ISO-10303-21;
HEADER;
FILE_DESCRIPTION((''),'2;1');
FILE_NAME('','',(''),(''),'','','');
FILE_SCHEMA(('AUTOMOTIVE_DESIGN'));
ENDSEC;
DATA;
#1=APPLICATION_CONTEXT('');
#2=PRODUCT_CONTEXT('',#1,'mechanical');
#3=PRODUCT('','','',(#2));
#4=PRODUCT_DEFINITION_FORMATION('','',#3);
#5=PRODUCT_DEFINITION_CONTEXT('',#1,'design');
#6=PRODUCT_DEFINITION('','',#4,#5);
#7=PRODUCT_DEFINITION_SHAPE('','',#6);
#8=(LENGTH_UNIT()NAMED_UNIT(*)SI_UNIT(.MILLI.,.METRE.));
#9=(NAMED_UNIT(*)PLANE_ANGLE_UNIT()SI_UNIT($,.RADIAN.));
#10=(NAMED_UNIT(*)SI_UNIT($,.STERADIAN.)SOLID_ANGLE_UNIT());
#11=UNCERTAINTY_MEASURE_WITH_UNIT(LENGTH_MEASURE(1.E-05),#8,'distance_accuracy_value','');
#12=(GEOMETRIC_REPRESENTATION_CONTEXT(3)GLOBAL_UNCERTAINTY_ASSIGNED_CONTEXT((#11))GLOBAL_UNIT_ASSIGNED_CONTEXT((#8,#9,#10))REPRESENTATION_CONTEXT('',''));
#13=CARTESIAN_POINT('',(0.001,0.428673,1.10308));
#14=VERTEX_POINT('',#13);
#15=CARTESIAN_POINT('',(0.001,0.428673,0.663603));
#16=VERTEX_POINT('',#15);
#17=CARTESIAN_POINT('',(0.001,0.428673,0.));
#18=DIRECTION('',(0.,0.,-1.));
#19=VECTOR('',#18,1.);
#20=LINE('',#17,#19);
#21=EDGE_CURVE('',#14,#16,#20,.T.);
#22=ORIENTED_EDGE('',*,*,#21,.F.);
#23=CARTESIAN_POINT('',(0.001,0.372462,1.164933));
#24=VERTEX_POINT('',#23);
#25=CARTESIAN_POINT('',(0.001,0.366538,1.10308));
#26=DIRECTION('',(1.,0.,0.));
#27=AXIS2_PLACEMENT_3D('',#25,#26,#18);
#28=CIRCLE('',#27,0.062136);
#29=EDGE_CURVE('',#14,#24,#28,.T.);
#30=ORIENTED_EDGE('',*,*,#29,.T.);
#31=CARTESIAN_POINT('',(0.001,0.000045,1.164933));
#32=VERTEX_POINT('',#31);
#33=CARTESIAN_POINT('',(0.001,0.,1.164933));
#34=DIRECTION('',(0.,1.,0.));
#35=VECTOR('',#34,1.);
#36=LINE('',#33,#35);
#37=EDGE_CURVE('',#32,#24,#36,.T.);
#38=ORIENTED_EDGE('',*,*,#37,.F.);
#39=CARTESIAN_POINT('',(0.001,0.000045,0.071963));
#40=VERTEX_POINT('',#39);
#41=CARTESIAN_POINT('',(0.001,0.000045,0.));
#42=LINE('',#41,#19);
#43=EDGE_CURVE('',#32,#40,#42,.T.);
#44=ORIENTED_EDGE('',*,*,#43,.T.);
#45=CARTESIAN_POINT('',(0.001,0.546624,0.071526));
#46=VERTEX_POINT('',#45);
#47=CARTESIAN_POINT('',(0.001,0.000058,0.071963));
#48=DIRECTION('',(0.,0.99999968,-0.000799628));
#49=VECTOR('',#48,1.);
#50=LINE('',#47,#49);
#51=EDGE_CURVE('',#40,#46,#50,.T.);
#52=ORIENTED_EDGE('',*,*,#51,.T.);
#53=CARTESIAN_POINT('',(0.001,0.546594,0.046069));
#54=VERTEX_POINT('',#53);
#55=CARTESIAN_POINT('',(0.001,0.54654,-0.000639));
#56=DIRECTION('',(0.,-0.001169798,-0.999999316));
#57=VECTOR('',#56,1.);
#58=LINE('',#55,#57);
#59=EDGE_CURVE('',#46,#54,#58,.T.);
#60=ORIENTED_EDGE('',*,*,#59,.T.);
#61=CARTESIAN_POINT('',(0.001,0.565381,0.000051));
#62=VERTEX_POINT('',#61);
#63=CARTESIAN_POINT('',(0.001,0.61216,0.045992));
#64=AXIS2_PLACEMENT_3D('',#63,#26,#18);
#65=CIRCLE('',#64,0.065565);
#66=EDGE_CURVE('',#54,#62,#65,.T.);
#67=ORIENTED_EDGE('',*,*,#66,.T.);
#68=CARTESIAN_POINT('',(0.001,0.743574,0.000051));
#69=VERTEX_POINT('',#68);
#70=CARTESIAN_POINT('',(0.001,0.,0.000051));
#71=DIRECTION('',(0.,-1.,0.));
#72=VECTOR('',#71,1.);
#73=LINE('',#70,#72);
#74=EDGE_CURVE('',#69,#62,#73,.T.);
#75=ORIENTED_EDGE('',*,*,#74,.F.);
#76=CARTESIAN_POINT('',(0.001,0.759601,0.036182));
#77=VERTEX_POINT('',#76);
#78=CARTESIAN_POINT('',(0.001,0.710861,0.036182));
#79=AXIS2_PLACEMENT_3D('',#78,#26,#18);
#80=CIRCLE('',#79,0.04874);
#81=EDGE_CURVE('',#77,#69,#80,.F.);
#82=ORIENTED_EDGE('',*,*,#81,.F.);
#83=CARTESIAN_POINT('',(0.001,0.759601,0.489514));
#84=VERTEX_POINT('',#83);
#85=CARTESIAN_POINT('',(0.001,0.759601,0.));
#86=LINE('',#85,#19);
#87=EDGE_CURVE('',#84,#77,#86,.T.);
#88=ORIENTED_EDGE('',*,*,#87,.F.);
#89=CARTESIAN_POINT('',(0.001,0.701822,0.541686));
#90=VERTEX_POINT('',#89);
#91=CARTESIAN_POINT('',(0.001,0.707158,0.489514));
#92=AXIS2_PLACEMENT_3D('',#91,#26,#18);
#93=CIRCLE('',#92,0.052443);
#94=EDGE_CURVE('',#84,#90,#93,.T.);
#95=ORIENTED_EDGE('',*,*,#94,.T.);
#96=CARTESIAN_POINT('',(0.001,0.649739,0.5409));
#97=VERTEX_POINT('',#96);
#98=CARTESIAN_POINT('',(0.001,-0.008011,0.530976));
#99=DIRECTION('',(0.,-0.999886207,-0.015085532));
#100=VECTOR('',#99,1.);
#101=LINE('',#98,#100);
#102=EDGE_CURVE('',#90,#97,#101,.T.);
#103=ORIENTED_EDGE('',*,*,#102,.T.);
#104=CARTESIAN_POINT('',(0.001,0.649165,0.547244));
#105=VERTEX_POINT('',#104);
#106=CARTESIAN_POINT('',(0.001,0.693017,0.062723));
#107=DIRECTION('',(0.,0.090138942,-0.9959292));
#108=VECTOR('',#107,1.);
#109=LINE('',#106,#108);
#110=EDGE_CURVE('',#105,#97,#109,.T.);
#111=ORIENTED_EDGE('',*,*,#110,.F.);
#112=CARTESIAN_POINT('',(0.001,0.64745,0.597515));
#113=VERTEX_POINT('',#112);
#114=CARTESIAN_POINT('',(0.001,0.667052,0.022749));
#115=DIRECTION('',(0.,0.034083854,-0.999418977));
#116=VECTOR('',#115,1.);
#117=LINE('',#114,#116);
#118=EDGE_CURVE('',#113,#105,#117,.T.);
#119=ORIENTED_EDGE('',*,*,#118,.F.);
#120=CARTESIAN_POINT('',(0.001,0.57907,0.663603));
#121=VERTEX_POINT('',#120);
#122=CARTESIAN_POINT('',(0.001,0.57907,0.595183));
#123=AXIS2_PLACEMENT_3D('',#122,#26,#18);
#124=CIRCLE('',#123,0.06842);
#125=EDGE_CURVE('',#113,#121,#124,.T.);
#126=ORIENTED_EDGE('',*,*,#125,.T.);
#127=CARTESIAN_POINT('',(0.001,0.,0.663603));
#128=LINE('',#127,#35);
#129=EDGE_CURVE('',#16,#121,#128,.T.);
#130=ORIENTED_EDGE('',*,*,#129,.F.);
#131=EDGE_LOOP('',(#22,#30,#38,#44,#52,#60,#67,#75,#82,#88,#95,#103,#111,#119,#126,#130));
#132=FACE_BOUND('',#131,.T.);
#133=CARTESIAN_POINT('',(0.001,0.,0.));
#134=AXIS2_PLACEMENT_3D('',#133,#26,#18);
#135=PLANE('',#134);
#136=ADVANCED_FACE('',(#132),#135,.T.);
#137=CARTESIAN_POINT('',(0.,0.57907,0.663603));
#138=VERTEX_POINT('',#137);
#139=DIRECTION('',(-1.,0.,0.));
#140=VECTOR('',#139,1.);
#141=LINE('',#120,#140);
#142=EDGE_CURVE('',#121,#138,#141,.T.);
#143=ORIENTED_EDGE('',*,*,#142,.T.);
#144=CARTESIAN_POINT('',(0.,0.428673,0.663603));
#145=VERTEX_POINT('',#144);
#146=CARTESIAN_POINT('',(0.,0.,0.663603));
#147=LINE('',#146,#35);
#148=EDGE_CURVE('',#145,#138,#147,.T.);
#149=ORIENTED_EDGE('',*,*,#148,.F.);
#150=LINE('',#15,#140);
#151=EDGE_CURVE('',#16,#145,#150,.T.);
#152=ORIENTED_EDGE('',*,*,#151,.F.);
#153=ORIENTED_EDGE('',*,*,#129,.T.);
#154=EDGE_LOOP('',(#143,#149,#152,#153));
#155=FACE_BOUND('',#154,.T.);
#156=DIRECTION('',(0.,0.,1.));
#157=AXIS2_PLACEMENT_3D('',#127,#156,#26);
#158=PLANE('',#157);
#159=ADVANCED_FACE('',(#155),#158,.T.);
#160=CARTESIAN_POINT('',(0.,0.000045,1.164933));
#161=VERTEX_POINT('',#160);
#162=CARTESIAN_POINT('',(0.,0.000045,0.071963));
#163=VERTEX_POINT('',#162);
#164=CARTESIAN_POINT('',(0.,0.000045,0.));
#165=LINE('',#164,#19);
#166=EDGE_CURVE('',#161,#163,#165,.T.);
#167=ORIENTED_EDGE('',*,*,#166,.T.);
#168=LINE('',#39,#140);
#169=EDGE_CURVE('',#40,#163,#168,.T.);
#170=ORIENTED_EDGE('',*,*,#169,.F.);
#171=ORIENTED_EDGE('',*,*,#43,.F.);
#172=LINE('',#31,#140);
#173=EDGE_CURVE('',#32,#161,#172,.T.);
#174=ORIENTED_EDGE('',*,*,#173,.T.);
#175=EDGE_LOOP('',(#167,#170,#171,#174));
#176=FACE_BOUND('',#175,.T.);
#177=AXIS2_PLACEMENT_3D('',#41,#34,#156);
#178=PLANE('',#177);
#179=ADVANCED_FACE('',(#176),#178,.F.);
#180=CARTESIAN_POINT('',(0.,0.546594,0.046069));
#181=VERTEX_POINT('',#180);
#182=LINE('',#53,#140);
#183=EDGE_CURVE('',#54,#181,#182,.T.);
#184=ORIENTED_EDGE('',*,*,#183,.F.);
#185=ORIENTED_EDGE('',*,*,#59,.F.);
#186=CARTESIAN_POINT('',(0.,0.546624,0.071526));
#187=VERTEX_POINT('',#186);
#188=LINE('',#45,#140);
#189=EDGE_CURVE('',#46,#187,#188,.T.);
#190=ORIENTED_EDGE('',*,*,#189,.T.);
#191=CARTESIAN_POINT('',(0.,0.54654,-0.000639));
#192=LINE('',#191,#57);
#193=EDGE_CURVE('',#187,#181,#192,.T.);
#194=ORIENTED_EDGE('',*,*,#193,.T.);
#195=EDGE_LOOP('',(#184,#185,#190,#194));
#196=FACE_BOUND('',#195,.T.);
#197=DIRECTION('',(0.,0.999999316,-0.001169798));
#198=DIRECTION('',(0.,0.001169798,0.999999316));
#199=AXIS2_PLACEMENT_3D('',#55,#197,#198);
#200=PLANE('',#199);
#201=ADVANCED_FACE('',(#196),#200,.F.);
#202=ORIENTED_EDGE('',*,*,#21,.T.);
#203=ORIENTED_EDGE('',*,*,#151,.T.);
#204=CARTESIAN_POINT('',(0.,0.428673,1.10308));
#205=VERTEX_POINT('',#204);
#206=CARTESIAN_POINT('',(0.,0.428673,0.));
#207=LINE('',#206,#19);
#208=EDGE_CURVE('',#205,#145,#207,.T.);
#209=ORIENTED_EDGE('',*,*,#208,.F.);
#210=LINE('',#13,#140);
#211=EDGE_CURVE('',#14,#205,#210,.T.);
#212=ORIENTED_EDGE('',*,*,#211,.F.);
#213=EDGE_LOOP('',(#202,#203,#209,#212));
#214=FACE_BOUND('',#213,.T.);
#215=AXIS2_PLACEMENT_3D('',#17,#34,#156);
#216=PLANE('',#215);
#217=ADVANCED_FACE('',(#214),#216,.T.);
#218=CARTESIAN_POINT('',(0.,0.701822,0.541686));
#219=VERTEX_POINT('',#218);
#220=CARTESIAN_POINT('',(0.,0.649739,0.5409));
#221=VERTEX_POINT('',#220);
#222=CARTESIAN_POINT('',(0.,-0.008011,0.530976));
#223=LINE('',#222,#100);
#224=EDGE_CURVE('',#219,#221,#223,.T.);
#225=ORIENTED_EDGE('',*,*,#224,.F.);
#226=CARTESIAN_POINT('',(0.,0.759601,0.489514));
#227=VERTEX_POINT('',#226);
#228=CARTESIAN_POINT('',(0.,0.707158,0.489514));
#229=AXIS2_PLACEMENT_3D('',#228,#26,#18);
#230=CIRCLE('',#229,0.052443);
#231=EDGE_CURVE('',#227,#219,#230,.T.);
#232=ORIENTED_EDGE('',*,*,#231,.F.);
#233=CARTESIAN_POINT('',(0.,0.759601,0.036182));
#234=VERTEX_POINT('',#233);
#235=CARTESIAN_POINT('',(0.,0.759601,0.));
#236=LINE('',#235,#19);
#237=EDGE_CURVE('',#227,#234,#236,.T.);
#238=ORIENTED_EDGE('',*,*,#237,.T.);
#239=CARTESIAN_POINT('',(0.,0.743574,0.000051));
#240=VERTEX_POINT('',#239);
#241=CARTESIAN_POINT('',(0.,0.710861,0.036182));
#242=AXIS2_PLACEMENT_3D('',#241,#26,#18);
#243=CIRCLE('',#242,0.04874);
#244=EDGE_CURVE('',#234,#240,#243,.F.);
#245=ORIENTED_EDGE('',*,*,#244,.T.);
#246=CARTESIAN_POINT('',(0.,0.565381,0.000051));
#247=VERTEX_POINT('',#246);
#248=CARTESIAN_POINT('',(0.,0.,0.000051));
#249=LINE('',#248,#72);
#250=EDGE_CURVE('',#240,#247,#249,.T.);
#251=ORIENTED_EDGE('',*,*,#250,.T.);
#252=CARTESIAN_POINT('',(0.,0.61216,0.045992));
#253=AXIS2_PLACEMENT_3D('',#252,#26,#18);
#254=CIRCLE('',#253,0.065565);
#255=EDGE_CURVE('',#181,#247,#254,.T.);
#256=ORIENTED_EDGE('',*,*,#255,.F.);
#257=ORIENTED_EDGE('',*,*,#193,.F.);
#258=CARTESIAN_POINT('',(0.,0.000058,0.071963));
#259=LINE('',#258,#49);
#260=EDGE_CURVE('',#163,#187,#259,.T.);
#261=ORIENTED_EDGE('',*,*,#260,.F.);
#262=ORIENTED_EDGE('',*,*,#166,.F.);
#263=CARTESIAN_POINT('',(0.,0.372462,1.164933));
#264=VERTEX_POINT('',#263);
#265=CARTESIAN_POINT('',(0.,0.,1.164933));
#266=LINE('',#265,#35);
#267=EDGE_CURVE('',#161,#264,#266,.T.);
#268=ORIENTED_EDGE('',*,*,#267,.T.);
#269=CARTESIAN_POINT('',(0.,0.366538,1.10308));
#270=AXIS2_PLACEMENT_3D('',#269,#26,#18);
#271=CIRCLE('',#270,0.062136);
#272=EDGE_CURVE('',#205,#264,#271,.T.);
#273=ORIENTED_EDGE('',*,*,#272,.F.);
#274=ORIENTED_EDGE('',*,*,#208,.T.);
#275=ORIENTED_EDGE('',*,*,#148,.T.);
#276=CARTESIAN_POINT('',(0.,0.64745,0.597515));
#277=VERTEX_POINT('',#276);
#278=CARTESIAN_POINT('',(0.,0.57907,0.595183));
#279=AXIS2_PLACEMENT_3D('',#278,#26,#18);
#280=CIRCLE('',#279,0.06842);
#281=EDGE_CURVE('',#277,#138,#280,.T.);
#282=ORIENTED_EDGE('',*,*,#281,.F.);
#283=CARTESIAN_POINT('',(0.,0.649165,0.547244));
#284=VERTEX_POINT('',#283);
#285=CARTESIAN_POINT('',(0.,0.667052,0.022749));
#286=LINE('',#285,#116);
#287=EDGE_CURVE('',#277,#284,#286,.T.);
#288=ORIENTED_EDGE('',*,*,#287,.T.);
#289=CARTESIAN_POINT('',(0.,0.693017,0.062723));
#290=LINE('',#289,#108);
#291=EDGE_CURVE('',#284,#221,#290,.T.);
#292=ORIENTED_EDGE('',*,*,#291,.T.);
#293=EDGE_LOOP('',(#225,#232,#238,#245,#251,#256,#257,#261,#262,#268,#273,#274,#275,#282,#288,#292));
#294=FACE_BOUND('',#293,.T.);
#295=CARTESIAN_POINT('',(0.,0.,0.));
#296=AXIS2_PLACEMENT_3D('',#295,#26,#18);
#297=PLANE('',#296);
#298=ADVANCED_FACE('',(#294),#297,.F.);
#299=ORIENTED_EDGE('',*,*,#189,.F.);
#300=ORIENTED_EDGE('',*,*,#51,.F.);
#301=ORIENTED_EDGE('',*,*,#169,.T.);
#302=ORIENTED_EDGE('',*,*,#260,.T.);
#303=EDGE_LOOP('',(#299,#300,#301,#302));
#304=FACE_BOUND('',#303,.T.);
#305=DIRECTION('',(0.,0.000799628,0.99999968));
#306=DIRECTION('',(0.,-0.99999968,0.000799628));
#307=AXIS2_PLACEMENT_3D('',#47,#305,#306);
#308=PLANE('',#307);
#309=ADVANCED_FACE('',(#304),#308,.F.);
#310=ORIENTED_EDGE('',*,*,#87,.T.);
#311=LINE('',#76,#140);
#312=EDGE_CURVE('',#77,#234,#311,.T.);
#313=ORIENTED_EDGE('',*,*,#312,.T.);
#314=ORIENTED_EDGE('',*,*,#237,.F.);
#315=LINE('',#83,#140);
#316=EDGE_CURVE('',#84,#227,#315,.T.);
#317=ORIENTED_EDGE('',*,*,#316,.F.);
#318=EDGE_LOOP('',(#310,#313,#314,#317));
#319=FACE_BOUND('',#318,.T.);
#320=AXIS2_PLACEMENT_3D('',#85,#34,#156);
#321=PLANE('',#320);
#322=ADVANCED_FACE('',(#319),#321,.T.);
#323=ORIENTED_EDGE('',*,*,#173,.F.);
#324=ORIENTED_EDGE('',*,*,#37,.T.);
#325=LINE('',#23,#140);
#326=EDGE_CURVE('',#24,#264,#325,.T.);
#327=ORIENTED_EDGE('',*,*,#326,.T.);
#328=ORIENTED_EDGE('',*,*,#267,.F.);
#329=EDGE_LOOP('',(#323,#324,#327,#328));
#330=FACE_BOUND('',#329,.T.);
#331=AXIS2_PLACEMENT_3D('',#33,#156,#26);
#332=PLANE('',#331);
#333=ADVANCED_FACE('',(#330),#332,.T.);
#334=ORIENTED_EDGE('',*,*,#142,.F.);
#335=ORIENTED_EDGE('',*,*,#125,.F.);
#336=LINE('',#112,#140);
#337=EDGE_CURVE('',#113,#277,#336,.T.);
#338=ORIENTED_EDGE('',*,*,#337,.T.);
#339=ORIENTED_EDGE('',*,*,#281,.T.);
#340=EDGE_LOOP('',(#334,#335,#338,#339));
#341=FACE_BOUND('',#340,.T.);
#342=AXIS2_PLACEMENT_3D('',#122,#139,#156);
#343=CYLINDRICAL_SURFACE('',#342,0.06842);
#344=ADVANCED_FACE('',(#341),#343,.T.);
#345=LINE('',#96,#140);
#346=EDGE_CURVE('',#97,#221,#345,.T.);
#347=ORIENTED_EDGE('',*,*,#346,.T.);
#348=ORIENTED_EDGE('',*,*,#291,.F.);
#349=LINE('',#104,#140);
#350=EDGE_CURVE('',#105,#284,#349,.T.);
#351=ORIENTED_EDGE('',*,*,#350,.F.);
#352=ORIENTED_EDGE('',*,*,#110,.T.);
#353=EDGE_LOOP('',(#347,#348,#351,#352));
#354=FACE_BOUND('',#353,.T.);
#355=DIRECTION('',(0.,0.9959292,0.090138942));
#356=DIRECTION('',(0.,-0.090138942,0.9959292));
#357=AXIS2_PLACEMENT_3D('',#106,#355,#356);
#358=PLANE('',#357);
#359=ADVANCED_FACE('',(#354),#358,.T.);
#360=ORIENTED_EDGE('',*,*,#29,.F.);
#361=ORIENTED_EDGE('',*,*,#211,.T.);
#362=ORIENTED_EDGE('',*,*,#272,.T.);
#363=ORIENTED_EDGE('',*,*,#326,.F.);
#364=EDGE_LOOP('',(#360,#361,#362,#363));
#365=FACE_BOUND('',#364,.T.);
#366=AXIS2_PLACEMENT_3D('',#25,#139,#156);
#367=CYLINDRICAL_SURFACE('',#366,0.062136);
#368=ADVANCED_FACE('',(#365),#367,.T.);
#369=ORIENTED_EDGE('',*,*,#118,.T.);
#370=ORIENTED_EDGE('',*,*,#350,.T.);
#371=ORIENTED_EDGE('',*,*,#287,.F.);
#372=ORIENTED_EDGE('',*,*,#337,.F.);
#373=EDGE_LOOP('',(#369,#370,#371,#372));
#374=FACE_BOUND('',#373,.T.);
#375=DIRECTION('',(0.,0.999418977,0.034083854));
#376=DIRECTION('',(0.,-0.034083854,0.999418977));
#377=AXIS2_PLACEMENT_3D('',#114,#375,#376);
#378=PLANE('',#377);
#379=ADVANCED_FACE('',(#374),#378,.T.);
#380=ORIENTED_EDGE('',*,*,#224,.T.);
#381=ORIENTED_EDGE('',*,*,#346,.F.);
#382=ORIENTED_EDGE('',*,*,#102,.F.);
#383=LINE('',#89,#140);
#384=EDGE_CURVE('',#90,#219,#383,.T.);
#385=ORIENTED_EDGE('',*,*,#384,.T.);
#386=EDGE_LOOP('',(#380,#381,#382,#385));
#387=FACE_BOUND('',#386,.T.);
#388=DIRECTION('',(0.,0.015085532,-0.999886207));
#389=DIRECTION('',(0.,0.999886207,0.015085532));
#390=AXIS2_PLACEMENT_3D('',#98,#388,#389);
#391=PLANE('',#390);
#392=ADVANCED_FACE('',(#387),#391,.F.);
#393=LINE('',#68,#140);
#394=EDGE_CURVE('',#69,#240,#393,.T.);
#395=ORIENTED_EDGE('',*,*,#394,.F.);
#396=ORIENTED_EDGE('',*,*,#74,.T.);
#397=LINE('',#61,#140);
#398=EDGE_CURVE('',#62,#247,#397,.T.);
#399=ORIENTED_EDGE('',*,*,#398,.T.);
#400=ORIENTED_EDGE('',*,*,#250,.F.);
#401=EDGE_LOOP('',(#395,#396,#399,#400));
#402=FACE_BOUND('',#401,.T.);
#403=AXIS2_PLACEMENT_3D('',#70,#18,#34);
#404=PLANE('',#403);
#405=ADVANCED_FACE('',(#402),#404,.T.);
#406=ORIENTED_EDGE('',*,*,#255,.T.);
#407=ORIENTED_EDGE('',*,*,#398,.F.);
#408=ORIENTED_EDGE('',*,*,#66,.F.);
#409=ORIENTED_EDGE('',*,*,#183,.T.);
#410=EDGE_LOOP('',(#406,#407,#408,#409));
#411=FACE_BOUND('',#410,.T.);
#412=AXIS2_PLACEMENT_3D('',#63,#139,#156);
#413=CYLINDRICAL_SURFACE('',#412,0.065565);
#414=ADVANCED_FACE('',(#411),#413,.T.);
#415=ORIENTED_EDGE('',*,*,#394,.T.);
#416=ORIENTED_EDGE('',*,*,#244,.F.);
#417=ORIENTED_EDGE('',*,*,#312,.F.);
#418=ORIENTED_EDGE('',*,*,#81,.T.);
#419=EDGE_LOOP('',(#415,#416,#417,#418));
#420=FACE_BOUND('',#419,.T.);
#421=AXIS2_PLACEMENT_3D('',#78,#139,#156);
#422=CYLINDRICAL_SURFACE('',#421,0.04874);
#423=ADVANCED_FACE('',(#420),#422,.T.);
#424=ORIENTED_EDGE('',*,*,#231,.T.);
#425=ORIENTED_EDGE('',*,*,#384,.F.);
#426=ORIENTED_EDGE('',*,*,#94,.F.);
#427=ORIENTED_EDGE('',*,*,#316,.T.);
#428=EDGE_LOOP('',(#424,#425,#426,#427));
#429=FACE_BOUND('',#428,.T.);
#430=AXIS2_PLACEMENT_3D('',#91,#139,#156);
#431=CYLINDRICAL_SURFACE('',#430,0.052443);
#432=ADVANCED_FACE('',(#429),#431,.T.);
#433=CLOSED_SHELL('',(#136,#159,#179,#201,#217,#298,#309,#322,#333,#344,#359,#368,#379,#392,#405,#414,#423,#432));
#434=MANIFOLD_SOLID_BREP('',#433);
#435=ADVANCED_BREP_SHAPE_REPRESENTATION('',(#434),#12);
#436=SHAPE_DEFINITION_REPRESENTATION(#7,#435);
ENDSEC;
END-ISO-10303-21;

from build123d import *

# Parameters (mm, degrees)
ESTRUSIONE_ESTRUSIONE1_DEPTH = 0.001


with BuildPart() as part:
    # Schizzo1 → Estrusione-Estrusione1 (new body)
    with BuildSketch(Plane(origin=(0, 0, 0), x_dir=(0, 0, -1), z_dir=(1, 0, 0))):
        with BuildLine():
            Line((-0.071526265, 0.546624161), (-0.046068814, 0.546594381))
            ThreePointArc((-0.046068814, 0.546594381), (-0.02121057, 0.551458036), (-5.0908e-05, 0.565381258))
            Line((-5.0908e-05, 0.565381258), (-5.0908e-05, 0.743573522))
            ThreePointArc((-5.0908e-05, 0.743573522), (-0.016419009, 0.755414314), (-0.036182377, 0.759600997))
            Line((-0.036182377, 0.759600997), (-0.4895145, 0.759600997))
            ThreePointArc((-0.4895145, 0.759600997), (-0.528438366, 0.742303596), (-0.5416857, 0.701821804))
            Line((-0.5416857, 0.701821804), (-0.540899911, 0.649738789))
            Line((-0.540899911, 0.649738789), (-0.547244489, 0.649164557))
            Line((-0.547244489, 0.649164557), (-0.597514987, 0.647450149))
            ThreePointArc((-0.597514987, 0.647450149), (-0.644380755, 0.626618528), (-0.663602906, 0.579069968))
            Line((-0.663602906, 0.579069968), (-0.663602906, 0.428673119))
            Line((-0.663602906, 0.428673119), (-1.103080434, 0.428673119))
            ThreePointArc((-1.103080434, 0.428673119), (-1.144869962, 0.412520862), (-1.164932966, 0.372461706))
            Line((-1.164932966, 0.372461706), (-1.164932966, 4.5196e-05))
            Line((-1.164932966, 4.5196e-05), (-0.071963325, 4.5196e-05))
            Line((-0.071963325, 4.5196e-05), (-0.071526265, 0.546624161))
        make_face()
    extrude(amount=ESTRUSIONE_ESTRUSIONE1_DEPTH)


solid = part.part
